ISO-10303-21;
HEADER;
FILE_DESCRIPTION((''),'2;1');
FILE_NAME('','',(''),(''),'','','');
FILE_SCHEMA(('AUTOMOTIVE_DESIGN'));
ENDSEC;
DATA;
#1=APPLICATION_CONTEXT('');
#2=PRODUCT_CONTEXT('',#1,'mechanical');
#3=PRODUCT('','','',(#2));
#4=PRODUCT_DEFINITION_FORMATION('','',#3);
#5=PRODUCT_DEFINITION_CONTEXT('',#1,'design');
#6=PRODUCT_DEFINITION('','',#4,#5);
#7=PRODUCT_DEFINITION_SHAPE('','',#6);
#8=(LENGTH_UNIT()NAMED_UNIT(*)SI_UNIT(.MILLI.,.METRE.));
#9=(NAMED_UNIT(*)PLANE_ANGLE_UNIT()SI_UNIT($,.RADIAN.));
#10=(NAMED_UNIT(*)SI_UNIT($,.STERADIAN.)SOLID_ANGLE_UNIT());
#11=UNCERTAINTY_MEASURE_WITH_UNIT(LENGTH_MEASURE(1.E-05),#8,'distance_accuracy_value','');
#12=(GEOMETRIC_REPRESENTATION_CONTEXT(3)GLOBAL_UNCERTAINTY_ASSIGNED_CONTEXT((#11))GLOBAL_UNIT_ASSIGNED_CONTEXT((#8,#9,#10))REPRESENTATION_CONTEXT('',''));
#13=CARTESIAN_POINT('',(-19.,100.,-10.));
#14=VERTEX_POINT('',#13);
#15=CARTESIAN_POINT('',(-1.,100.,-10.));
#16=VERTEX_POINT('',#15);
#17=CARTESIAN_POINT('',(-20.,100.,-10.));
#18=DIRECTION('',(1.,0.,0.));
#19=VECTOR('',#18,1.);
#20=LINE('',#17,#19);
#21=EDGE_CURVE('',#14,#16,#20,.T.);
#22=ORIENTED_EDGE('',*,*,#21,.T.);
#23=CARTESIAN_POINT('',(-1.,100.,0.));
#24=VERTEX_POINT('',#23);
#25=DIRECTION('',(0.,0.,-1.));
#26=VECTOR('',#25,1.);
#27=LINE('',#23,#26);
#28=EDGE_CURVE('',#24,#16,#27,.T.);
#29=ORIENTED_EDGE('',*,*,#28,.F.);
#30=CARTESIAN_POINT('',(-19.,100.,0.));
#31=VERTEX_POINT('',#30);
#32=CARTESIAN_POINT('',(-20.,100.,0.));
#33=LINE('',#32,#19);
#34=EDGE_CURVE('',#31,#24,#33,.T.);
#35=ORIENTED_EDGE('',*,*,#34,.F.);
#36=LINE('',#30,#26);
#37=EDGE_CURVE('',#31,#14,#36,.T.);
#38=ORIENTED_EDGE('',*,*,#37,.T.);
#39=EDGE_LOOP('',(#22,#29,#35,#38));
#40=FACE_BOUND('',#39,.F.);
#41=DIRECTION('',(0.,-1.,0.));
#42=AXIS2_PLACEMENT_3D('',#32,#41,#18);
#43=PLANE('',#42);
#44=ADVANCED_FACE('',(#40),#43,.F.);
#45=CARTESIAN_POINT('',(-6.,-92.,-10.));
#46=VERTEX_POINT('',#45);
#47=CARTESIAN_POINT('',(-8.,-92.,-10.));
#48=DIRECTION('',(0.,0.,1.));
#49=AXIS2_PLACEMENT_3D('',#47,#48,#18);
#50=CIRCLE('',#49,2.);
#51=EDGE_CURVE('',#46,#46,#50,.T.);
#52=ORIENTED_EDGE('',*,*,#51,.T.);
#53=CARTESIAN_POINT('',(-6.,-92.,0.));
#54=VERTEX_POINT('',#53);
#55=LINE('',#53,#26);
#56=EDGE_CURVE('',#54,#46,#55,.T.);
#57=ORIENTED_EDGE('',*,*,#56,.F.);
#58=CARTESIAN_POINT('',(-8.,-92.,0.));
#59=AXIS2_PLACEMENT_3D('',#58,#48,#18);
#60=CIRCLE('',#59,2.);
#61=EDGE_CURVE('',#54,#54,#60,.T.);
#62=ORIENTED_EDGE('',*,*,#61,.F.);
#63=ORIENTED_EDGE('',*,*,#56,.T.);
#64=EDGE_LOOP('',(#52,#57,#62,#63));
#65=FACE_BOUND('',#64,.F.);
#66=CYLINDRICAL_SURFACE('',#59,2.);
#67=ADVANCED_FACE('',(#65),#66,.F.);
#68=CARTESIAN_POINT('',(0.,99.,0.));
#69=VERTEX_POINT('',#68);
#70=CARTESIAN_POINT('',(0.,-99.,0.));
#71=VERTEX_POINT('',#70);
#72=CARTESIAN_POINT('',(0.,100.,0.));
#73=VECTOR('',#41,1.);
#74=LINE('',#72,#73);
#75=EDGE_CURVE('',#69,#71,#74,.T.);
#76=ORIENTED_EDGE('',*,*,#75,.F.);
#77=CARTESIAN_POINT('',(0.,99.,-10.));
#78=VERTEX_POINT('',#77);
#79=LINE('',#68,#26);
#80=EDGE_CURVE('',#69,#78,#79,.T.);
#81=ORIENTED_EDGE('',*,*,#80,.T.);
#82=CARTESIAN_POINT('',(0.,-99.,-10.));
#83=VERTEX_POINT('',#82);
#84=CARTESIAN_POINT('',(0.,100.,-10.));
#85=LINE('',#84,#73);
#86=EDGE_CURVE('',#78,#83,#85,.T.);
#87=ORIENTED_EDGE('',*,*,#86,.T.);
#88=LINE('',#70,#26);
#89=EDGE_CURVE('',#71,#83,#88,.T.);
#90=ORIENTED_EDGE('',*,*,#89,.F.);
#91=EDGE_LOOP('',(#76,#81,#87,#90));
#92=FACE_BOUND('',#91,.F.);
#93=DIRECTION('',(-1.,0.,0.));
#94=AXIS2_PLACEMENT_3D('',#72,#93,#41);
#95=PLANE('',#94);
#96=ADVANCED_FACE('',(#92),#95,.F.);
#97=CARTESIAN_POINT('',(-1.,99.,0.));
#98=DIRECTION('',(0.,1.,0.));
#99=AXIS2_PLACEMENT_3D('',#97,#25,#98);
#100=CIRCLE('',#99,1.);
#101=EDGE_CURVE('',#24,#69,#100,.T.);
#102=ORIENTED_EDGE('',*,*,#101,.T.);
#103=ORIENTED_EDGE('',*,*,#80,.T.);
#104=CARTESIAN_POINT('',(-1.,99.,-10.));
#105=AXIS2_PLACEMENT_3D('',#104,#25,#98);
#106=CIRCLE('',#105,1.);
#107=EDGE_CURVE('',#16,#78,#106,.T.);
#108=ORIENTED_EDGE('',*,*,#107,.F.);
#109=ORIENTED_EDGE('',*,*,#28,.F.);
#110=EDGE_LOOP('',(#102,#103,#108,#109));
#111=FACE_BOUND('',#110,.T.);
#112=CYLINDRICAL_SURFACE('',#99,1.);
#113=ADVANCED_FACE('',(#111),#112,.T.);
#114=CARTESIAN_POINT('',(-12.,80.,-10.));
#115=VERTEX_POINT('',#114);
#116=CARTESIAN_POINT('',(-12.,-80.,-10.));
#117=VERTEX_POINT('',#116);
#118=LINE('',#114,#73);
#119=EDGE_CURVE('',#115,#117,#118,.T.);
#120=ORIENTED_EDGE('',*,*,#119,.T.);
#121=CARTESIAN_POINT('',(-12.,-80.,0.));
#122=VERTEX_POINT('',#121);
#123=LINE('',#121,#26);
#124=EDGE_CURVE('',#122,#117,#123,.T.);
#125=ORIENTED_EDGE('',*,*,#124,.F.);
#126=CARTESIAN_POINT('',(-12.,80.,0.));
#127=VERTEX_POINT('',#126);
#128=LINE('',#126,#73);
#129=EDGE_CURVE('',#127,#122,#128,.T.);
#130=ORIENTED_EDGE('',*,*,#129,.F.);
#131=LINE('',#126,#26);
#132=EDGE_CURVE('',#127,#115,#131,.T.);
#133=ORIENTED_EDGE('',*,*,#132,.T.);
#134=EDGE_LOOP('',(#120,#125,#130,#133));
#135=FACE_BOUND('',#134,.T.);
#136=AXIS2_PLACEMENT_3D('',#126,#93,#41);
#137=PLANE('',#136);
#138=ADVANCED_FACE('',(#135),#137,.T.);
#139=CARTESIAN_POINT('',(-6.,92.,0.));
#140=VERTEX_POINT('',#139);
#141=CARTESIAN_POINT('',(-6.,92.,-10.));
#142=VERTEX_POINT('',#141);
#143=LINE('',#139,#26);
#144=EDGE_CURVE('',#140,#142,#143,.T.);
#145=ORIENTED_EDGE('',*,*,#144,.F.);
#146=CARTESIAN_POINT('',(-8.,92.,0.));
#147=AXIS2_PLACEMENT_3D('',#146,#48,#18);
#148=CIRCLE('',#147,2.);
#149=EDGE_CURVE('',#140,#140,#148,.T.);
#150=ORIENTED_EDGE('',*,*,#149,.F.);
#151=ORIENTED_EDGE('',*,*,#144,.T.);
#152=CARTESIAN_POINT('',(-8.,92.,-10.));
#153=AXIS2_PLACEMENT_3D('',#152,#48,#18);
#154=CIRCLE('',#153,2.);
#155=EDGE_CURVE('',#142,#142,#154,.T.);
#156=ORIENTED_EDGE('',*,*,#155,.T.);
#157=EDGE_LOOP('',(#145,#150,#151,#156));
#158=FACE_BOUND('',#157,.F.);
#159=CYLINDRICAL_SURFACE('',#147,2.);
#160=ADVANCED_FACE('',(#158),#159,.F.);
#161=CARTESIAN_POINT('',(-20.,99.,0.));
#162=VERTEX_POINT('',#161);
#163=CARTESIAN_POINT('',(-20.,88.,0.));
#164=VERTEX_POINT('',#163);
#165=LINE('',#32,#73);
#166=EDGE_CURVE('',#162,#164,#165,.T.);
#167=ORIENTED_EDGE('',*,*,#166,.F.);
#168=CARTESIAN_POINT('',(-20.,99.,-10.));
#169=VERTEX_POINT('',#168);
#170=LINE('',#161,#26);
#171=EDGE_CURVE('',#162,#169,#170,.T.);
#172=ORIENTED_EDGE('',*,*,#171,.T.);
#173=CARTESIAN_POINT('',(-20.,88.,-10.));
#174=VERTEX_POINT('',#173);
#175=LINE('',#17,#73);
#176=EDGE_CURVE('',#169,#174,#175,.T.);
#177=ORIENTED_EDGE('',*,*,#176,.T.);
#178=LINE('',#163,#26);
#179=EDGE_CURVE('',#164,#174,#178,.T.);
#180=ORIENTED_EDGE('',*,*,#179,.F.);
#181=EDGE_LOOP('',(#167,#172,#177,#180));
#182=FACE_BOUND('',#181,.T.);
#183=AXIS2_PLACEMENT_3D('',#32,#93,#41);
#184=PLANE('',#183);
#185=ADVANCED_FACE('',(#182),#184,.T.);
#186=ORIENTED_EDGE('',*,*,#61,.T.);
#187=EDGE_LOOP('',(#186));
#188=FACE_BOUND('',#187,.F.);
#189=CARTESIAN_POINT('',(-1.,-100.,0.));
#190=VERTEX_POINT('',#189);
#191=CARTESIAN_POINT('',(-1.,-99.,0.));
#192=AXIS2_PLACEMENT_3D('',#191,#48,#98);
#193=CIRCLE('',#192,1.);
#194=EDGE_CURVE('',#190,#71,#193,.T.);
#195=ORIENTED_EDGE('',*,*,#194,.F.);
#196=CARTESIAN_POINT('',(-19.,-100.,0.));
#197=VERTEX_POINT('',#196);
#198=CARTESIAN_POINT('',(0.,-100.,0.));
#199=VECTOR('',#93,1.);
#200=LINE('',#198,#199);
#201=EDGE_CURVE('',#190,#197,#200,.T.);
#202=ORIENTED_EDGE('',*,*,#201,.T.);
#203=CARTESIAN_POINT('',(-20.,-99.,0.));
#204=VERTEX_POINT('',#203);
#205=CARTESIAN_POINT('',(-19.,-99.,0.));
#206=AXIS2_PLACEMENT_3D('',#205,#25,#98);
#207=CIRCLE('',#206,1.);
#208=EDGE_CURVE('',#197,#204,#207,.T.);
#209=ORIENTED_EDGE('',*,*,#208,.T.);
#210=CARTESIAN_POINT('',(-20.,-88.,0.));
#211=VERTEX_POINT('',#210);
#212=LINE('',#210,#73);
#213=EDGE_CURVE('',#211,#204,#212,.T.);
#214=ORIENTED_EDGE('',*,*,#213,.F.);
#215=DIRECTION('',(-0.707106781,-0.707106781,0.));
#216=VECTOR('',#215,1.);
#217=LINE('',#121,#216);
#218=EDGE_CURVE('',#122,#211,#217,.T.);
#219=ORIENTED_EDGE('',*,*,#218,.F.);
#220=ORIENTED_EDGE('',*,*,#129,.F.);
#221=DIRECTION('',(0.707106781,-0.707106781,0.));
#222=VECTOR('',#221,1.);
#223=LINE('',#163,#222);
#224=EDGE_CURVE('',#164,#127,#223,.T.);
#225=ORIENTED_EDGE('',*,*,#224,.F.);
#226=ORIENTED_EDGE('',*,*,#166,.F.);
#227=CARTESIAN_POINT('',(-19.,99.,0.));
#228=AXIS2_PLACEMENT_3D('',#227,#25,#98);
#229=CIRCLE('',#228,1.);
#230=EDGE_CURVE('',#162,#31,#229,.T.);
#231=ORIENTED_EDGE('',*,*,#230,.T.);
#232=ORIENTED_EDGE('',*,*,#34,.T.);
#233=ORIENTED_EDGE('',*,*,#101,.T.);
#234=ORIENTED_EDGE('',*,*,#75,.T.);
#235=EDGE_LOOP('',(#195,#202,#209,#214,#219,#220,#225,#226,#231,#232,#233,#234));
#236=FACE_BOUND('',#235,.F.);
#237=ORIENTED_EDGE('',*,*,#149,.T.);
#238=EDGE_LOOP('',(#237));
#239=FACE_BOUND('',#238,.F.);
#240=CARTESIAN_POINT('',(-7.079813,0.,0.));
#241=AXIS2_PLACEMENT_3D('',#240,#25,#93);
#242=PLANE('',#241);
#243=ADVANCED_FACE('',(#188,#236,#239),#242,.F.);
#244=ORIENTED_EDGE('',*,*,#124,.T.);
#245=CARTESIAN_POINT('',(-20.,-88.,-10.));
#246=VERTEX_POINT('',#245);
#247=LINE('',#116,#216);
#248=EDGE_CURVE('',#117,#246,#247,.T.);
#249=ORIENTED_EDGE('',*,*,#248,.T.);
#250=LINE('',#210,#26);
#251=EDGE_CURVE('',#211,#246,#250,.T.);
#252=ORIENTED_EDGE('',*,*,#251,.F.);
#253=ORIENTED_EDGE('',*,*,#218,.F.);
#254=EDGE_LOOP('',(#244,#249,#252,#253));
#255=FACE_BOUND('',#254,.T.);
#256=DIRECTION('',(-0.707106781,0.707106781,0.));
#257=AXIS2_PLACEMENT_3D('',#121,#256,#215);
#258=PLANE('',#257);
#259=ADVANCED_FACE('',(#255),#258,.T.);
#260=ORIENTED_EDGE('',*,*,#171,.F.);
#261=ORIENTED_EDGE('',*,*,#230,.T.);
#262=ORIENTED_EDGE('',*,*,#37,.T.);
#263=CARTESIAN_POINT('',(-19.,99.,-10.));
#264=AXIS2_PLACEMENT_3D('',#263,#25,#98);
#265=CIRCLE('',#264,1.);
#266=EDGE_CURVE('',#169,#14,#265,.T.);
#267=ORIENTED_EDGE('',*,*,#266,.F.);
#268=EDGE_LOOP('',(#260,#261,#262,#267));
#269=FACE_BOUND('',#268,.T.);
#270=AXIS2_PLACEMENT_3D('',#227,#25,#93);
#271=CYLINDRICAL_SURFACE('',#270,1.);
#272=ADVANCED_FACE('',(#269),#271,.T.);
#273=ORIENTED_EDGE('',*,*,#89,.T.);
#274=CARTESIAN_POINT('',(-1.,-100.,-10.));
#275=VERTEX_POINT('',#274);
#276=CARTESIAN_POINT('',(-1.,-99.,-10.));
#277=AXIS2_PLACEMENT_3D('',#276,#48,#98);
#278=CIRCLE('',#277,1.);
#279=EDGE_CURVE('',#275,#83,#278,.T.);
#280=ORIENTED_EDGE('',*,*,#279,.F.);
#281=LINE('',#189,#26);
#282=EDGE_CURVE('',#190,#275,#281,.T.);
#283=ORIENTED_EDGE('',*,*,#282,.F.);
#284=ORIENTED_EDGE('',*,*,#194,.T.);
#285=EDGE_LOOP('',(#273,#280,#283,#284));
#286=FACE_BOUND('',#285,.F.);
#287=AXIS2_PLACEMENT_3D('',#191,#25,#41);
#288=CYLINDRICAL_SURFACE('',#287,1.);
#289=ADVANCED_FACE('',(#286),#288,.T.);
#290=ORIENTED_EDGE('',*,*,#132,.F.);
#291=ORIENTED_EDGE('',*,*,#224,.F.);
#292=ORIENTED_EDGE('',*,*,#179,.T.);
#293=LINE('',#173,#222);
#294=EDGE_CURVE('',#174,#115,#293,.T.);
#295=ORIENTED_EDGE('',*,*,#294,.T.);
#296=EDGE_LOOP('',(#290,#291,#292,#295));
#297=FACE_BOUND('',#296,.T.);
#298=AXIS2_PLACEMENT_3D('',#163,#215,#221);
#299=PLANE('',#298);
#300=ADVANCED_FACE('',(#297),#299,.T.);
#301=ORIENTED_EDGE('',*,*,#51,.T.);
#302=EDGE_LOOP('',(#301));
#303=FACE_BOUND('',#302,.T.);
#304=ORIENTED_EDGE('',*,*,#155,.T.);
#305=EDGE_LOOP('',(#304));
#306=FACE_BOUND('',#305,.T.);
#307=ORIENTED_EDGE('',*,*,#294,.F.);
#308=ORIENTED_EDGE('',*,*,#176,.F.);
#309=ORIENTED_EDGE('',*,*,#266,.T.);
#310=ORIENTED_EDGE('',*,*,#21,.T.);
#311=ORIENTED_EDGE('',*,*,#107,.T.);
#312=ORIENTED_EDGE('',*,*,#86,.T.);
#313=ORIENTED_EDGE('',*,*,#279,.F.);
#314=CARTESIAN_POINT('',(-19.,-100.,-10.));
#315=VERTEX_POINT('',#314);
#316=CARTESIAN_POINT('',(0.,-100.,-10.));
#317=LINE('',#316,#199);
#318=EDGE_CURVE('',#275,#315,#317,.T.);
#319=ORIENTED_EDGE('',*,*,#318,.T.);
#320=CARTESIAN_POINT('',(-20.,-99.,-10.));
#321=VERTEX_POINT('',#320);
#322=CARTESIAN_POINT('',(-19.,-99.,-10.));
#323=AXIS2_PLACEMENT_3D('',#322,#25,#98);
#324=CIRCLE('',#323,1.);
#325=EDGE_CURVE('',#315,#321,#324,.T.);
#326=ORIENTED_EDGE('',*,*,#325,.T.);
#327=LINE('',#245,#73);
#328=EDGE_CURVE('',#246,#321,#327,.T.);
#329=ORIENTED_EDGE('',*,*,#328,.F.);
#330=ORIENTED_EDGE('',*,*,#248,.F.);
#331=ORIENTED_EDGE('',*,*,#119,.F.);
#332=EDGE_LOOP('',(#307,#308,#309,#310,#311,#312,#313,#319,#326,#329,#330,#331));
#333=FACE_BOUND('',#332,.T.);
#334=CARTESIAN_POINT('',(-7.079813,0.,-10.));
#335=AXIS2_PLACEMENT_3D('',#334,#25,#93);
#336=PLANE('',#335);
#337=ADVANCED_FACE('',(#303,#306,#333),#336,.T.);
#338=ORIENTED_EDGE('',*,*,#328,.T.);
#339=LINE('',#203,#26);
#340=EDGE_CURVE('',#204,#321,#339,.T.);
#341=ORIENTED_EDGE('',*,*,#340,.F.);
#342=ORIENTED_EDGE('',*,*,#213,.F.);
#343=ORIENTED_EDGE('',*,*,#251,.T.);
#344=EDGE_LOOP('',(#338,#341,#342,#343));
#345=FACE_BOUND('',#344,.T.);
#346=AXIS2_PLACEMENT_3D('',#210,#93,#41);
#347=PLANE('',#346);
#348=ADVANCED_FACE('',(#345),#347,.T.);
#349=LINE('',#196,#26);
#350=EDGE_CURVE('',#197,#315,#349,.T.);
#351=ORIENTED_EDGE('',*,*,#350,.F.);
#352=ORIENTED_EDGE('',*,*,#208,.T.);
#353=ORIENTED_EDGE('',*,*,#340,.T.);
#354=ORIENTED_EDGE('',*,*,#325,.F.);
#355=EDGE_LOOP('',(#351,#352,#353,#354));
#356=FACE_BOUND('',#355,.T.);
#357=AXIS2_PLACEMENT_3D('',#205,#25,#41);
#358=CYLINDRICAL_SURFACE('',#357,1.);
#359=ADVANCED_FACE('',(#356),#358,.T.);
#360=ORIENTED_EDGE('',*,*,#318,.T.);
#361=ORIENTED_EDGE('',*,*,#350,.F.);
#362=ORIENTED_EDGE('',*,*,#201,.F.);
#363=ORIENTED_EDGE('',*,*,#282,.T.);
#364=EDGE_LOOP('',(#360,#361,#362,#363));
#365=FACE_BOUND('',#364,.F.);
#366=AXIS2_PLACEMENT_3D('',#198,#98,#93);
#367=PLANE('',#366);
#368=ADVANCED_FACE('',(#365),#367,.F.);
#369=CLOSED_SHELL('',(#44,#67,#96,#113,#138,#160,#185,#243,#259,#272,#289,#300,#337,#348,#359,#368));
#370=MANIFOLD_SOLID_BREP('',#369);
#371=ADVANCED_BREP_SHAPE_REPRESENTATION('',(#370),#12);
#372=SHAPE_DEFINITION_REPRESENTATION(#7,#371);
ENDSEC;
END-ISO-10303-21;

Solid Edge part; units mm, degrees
sketch "Sketch1" plane through (0, 0, 0) normal (0, 0, 1) x (1, 0, 0)
  line L0 (0, -100) -> (-20, -100)
  line L1 (-20, -88) -> (-20, -100)
  line L2 (-12, -80) -> (-20, -88)
  line L3 (-12, 80) -> (-12, -80)
  line L4 (-20, 88) -> (-12, 80)
  line L5 (-20, 100) -> (-20, 88)
  line L6 (-20, 100) -> (0, 100)
  line L7 (0, 100) -> (0, -100)
  circle A0 centre (-8, 92) radius 2
  circle A1 centre (-8, -92) radius 2
  dimension "D1" = 200
  dimension "D2" = 4
  dimension "D3" = 8
  dimension "D4" = 8
  dimension "D5" = 8
  dimension "D6" = 12
  dimension "D7" = 20
  dimension "D8" = 12
extrude "Protrusion1" add sketch "Sketch1" against normal blind 10
fillet "Round_1" radius 1 4 edges at (0, -100, -5) (-20, -100, -5) (0, 100, -5) (-20, 100, -5)
